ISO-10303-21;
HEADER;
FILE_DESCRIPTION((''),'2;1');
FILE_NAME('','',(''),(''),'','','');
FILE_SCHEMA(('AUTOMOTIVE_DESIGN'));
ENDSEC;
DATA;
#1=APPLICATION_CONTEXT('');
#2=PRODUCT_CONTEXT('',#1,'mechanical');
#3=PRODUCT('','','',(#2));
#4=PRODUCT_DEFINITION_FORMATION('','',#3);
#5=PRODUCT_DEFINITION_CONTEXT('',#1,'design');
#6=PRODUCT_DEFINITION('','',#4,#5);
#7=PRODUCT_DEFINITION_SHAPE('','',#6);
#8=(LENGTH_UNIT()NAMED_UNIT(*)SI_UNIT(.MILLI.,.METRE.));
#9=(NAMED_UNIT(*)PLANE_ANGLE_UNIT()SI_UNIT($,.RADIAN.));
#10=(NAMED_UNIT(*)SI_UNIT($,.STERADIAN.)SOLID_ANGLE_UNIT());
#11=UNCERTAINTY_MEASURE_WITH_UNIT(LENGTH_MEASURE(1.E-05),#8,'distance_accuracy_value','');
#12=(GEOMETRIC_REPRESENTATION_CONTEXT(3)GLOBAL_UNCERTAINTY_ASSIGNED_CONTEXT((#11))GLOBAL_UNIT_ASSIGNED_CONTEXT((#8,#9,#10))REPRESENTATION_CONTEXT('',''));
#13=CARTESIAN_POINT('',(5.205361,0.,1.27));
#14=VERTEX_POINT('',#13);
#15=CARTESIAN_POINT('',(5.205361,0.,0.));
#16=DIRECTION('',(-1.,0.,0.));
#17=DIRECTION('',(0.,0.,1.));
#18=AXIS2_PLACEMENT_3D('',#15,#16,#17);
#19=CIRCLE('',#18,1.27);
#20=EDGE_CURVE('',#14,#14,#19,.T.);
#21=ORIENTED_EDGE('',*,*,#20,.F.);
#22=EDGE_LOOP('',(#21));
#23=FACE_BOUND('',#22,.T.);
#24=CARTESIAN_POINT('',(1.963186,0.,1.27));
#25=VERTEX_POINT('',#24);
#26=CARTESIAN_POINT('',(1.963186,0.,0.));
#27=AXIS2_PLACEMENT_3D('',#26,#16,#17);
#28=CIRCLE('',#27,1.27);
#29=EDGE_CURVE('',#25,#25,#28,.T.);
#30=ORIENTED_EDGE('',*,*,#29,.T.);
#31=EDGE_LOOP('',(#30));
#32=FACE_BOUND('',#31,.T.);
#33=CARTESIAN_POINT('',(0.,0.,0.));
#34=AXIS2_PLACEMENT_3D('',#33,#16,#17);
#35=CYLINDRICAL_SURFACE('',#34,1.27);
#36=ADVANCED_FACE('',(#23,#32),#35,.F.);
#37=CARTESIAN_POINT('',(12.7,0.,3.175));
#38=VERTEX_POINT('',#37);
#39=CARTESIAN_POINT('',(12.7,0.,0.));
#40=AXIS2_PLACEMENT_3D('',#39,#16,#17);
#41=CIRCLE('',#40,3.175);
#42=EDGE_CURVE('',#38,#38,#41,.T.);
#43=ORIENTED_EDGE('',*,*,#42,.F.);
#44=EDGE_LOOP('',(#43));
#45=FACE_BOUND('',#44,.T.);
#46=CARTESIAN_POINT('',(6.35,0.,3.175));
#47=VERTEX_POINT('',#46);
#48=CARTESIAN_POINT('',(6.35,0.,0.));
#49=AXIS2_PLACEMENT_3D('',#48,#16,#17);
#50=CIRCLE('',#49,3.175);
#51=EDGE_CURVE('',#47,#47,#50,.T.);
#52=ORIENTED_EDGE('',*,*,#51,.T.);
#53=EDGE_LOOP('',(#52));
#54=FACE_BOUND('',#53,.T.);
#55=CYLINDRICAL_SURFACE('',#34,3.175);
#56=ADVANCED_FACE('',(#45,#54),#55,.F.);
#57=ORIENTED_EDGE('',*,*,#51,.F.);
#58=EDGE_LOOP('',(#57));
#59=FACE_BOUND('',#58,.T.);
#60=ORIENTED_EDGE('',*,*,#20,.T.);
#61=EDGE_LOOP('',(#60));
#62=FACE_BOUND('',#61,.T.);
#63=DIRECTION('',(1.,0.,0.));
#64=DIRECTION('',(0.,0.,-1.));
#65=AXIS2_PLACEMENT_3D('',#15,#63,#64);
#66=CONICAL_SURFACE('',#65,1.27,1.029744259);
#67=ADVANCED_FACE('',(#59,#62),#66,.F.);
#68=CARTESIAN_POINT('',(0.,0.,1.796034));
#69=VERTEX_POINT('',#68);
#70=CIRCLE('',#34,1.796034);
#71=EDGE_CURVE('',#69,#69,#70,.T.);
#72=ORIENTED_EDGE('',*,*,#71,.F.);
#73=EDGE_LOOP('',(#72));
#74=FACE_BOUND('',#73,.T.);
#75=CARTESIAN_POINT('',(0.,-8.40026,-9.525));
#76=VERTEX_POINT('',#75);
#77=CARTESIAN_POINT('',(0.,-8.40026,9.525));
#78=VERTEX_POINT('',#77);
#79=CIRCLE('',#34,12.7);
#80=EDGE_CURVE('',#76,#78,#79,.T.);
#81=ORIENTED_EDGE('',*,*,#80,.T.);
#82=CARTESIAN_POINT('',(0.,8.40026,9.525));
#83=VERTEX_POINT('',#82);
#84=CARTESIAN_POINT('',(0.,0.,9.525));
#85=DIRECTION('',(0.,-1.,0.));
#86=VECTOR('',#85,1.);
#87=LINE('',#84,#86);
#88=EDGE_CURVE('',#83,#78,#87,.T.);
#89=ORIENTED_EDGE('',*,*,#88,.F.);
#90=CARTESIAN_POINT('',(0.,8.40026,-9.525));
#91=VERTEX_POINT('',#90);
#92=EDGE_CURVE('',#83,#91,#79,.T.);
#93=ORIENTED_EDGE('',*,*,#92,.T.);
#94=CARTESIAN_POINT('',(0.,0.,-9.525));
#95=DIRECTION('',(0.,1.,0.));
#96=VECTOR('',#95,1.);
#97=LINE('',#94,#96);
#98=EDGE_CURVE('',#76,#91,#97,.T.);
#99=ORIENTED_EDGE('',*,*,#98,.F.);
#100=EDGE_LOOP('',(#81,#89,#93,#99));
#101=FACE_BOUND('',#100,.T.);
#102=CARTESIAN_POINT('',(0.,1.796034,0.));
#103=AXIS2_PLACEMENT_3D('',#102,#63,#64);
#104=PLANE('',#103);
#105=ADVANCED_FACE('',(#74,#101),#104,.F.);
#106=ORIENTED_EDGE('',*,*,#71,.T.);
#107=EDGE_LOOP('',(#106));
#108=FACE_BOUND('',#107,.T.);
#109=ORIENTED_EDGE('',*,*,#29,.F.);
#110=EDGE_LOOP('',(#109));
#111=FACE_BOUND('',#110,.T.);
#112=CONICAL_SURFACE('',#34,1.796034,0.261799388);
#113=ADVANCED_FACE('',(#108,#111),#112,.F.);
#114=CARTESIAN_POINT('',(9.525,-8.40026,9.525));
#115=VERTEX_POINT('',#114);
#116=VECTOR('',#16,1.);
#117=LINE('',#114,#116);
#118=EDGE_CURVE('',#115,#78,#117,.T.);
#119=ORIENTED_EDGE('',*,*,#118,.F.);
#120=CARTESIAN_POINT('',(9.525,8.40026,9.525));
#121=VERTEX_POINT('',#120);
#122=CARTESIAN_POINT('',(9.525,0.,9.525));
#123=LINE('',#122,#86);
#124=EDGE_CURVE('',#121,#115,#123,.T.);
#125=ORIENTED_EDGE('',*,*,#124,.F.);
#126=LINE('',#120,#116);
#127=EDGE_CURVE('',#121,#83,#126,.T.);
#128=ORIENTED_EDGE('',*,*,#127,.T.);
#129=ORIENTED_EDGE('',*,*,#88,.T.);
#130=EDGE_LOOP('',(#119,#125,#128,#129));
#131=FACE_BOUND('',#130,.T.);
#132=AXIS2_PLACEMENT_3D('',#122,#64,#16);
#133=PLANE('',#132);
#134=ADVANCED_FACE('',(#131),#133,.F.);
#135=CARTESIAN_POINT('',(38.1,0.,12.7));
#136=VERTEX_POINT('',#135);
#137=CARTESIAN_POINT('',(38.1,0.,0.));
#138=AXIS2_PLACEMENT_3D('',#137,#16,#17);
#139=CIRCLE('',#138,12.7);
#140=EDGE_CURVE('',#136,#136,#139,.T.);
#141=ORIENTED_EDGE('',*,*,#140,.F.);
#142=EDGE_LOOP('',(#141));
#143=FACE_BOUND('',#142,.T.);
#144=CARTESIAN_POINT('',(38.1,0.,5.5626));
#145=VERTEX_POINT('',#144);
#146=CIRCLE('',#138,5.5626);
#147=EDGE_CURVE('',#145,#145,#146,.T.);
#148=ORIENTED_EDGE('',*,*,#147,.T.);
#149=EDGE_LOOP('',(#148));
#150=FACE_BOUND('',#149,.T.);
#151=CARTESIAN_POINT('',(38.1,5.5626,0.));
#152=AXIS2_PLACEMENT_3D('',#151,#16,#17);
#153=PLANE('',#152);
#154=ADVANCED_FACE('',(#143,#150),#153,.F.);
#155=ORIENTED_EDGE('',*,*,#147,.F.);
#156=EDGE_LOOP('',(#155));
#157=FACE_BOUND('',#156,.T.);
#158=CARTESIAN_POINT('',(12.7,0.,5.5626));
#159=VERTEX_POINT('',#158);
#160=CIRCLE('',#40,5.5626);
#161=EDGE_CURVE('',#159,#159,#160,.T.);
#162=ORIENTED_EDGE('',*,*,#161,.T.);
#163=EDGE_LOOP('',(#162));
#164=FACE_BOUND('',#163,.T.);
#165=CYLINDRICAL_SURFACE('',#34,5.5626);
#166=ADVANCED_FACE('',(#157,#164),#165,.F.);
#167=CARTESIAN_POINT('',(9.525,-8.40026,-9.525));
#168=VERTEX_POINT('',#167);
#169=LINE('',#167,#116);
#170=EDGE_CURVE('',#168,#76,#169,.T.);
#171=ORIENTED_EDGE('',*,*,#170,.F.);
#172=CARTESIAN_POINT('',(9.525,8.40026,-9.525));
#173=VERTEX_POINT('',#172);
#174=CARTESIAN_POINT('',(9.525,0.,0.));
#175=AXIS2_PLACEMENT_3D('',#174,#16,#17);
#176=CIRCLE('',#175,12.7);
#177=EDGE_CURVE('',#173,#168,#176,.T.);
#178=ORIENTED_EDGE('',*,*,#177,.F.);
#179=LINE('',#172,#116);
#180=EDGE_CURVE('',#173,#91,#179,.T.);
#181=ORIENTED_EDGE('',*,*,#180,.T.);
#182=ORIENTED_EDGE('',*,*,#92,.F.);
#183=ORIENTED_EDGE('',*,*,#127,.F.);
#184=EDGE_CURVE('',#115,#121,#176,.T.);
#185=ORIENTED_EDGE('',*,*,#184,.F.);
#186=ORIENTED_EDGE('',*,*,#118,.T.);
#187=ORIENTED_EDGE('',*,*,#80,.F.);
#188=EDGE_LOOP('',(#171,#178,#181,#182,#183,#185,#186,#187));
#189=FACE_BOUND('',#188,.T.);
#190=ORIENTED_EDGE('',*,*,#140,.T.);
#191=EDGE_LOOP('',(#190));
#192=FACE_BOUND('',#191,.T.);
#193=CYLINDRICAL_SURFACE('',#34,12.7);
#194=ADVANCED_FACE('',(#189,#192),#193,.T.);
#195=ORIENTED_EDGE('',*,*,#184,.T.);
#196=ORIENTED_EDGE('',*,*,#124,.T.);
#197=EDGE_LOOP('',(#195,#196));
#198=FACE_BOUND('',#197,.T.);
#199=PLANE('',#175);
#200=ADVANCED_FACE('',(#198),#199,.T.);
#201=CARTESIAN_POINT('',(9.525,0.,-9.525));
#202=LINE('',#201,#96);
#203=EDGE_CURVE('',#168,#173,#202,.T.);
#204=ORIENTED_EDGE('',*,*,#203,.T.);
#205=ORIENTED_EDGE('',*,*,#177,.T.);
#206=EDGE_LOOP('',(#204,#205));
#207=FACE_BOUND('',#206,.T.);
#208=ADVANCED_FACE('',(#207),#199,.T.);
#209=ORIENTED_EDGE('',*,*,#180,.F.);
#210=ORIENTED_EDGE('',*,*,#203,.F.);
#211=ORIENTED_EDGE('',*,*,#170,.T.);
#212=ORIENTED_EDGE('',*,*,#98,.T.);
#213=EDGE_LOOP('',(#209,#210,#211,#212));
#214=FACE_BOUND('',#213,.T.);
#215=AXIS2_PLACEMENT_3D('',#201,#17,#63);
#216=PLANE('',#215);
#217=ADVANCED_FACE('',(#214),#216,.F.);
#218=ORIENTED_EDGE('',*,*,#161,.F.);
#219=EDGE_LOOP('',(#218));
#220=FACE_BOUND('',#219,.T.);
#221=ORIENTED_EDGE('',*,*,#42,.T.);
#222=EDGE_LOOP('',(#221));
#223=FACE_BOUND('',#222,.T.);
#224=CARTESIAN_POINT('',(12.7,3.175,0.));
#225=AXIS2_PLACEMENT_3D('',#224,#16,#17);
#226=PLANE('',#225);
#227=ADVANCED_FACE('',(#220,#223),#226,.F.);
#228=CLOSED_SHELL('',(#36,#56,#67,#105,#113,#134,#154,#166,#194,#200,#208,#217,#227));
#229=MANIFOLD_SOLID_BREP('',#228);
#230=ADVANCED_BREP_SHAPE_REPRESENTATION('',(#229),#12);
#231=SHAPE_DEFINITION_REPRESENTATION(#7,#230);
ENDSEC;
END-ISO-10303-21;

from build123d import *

# Parameters (mm, degrees)
CUT_EXTRUDE1_DEPTH = 9.525


with BuildPart() as part:
    # Sketch1 → Revolve1 (revolve)
    with BuildSketch(Plane.XY, mode=Mode.PRIVATE) as revolve1_sk:
        Polygon((0, 1.796034), (1.963185615, 1.27), (5.205360521, 1.27), (6.35, 3.175), (12.7, 3.175), (12.7, 5.5626), (38.1, 5.5626), (38.1, 12.7), (0, 12.7), align=None)
    revolve(revolve1_sk.sketch.rotate(Axis((0, 0, 0), (1, 0, 0)), 90), axis=Axis((0, 0, 0), (1, 0, 0)))

    # Sketch2 → Cut-Extrude1 (cut)
    with BuildSketch(Plane.ZY):
        with BuildLine():
            ThreePointArc((-9.525, 8.400260413), (-12.7, 0), (-9.525, -8.400260413))
            Line((-9.525, -8.400260413), (-9.525, 8.400260413))
        make_face()
        with BuildLine():
            Line((9.525, 8.400260413), (9.525, -8.400260413))
            ThreePointArc((9.525, -8.400260413), (11.879762203, -4.490128061), (12.7, 0))
            ThreePointArc((12.7, 0), (11.879762203, 4.490128061), (9.525, 8.400260413))
        make_face()
    extrude(amount=-CUT_EXTRUDE1_DEPTH, mode=Mode.SUBTRACT)


solid = part.part
